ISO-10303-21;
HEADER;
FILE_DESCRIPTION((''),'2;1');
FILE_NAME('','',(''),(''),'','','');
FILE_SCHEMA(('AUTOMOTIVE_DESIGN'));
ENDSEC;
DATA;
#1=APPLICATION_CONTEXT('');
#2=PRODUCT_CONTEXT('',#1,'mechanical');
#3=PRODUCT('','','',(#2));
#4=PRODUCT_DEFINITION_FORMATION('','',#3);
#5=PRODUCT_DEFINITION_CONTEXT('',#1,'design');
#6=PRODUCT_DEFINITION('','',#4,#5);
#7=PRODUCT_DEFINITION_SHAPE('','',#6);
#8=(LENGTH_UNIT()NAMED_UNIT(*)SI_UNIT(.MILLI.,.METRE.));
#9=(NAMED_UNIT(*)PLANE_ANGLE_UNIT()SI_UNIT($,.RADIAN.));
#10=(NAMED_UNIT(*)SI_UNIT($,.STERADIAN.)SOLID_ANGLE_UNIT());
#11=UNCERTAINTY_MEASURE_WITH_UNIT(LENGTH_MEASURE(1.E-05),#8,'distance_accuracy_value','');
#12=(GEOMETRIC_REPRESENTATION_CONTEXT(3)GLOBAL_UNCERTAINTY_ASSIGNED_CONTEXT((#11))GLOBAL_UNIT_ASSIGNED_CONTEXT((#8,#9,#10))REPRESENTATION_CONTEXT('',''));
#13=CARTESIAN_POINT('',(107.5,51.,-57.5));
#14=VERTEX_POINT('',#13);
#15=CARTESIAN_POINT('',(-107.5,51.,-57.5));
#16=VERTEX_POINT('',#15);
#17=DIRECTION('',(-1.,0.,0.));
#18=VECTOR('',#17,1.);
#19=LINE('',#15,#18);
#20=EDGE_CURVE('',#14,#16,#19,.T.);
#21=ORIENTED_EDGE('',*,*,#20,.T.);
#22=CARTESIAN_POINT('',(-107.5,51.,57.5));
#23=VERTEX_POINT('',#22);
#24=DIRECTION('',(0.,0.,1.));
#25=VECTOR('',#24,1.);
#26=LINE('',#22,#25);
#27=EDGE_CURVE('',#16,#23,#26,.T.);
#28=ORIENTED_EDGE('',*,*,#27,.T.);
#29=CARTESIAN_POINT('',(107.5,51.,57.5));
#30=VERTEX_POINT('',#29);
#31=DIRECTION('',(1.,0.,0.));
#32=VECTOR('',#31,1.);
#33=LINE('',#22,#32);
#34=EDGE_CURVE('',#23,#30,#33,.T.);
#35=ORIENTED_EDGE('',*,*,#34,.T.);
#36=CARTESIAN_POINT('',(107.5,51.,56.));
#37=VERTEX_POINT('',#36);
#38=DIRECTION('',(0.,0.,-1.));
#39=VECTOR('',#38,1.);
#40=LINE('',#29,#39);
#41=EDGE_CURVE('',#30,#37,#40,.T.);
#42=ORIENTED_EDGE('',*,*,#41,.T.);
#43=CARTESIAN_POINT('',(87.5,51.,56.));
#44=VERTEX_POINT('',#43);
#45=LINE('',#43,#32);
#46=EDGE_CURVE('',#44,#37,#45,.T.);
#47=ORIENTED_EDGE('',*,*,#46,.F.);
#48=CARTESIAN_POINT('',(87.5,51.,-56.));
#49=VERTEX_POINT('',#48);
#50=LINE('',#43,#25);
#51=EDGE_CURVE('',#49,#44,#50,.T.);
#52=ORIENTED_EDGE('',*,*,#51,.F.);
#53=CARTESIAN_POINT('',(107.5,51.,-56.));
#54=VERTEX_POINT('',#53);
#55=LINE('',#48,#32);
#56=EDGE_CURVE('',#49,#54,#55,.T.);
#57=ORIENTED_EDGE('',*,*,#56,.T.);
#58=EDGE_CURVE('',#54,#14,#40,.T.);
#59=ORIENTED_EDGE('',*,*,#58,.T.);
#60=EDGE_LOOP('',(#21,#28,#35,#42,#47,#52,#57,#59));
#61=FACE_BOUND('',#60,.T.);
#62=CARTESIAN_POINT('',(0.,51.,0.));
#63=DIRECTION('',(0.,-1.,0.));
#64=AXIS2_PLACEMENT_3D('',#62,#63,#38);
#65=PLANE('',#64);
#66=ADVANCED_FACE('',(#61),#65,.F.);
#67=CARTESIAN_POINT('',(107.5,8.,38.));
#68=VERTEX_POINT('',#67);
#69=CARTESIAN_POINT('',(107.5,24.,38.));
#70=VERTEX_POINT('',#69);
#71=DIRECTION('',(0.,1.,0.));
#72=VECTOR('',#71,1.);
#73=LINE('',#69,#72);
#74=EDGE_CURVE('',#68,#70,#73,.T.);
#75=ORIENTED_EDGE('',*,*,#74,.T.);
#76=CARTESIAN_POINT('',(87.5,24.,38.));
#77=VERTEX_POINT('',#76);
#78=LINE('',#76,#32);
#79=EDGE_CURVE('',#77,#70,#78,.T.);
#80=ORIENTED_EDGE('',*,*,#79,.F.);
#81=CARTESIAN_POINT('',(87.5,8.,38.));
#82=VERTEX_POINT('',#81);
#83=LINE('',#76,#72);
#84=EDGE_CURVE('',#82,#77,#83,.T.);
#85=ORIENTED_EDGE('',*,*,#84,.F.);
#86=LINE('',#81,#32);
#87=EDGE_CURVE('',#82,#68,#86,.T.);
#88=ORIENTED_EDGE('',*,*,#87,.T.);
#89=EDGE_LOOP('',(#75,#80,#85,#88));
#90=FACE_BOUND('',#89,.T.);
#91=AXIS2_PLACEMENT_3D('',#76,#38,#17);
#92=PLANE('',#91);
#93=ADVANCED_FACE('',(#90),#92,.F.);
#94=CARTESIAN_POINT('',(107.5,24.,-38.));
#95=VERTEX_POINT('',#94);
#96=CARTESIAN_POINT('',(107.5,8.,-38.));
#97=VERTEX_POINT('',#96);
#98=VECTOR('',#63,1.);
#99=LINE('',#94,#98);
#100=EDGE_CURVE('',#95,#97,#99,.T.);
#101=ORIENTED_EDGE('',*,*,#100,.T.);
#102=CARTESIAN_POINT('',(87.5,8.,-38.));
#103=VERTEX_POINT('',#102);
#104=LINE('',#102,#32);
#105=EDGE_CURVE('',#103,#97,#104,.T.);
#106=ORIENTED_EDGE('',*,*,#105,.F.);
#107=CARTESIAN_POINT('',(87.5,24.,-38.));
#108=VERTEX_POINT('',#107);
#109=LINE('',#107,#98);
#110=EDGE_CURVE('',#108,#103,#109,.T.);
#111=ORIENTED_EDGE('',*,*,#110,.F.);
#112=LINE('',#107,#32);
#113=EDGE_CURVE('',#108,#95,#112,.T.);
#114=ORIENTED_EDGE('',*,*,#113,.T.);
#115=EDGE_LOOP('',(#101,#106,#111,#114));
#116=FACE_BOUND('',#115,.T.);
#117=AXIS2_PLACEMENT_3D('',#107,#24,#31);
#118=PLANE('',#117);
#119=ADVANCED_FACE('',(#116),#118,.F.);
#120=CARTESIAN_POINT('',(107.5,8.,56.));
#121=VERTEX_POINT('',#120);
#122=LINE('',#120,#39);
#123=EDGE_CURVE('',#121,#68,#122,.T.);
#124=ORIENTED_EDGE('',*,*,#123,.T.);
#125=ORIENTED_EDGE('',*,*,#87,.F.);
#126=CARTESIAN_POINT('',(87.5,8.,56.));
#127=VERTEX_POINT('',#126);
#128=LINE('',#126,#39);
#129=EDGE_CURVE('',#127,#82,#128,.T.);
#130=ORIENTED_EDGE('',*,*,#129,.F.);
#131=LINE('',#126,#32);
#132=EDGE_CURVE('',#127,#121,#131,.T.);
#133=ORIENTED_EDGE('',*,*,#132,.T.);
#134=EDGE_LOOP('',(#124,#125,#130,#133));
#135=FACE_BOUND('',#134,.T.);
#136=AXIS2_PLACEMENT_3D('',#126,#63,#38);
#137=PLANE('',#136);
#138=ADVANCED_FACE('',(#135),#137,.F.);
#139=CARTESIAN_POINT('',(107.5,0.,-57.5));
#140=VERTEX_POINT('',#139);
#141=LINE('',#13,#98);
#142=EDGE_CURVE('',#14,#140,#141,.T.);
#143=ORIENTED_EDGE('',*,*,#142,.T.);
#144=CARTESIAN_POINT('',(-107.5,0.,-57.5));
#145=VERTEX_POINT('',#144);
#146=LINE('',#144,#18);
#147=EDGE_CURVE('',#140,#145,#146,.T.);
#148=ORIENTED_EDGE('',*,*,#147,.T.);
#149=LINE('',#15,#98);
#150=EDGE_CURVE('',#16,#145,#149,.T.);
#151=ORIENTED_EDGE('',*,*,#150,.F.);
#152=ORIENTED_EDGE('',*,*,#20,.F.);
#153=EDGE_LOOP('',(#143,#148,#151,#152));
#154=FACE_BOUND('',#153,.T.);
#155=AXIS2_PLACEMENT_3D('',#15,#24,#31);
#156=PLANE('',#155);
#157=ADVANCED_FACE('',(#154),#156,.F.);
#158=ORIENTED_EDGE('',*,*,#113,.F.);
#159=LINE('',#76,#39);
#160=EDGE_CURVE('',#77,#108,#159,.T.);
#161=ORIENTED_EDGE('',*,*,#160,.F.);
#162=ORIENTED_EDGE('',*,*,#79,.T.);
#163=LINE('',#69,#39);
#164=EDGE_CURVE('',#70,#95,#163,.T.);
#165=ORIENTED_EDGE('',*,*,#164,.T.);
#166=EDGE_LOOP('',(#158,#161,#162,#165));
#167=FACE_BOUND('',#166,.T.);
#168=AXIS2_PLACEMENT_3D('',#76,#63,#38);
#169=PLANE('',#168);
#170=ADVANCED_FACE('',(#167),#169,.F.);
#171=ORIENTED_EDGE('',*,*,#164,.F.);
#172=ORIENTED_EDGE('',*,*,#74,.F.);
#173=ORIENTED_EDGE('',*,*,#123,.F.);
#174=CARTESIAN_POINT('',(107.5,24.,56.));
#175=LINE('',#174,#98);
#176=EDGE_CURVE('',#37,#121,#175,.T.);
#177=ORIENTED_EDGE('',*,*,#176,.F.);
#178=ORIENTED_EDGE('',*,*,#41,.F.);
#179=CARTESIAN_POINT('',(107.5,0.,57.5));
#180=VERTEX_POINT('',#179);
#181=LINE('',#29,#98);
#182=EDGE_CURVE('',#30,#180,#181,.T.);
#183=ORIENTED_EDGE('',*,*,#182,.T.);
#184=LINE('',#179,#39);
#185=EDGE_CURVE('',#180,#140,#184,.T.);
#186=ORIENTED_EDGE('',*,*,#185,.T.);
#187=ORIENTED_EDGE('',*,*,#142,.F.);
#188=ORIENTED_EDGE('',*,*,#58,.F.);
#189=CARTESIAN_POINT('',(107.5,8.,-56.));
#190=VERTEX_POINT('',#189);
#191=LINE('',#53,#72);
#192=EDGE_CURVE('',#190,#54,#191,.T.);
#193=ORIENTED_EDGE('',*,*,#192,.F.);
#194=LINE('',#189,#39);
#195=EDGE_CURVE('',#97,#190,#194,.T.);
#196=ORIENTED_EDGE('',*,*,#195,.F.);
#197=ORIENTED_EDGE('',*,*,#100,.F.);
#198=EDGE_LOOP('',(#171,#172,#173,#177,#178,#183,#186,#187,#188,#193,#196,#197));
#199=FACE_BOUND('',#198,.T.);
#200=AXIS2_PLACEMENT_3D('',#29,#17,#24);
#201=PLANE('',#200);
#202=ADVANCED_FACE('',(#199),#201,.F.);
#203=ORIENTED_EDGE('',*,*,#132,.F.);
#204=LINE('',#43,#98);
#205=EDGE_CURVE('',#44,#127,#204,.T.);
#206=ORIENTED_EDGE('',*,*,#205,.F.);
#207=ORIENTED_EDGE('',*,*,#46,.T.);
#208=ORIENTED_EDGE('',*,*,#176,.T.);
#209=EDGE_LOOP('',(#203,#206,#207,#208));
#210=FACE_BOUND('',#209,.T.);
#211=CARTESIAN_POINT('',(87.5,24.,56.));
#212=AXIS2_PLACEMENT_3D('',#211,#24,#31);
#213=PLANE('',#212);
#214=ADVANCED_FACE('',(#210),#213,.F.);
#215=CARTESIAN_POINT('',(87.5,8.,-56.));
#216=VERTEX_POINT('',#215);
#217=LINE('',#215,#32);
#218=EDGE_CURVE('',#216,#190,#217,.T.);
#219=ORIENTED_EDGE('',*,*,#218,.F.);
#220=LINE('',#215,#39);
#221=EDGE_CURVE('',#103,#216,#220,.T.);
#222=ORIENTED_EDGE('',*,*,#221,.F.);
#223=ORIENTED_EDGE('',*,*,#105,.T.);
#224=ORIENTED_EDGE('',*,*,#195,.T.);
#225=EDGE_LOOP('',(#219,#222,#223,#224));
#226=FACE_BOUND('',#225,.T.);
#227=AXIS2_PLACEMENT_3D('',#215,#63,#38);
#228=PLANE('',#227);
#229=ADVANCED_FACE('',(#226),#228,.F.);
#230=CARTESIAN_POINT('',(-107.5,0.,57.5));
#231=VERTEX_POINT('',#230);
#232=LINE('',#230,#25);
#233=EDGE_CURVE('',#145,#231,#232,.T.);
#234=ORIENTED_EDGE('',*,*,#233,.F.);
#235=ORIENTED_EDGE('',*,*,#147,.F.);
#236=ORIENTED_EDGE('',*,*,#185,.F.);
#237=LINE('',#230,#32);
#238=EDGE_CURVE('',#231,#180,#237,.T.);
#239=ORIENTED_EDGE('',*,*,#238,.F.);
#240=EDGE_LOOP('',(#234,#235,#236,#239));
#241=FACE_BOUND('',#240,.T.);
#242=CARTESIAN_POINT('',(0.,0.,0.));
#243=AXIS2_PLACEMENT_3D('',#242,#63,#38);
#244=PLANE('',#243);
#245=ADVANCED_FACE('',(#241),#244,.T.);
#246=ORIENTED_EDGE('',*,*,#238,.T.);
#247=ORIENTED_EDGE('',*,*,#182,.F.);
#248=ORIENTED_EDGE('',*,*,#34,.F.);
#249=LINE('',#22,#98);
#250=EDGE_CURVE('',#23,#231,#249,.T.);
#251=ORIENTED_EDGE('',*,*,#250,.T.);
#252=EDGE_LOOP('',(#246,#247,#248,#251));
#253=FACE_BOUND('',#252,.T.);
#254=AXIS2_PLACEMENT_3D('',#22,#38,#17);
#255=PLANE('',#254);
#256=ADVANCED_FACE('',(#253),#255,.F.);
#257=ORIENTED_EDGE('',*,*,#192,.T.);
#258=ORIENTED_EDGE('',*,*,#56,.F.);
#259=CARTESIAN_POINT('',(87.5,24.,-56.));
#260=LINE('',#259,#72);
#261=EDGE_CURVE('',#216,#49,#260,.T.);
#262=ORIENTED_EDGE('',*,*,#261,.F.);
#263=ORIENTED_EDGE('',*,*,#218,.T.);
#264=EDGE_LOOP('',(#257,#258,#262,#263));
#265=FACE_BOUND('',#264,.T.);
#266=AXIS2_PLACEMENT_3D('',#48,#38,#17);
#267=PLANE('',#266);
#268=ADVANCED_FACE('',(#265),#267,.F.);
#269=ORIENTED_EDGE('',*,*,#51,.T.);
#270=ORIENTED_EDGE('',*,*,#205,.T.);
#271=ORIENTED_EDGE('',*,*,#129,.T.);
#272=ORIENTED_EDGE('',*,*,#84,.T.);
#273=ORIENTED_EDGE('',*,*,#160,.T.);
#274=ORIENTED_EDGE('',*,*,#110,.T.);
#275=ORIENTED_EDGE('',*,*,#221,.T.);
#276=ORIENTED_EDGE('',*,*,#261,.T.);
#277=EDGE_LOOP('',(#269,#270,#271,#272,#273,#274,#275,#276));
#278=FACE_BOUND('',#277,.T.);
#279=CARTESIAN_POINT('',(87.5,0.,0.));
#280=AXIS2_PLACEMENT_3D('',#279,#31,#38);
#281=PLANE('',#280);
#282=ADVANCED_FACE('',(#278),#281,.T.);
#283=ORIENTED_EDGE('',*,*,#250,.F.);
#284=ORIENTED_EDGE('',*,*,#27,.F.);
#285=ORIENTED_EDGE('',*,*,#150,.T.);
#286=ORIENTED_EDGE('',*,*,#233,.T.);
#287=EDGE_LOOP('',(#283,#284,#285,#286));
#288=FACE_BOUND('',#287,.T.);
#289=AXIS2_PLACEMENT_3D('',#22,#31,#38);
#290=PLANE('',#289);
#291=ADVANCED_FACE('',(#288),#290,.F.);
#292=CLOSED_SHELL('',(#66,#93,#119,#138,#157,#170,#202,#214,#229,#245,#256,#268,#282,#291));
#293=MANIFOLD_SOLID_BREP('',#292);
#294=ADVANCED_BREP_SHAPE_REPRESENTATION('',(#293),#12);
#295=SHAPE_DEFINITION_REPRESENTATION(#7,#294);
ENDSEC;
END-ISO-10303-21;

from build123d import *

# Parameters (mm, degrees)
SKETCH_1_W          = 215
SKETCH_1_H          = 115
EXTRUDE_1_DEPTH     = 51
CUT_EXTRUDE_1_DEPTH = 20


with BuildPart() as part:
    # Эскиз1 → Бобышка-Вытянуть1 (new body)
    with BuildSketch(Plane(origin=(0, 0, 0), x_dir=(1, 0, 0), z_dir=(0, 1, 0))):
        Rectangle(SKETCH_1_W, SKETCH_1_H)
    extrude(amount=EXTRUDE_1_DEPTH)

    # Эскиз3 → Вырез-Вытянуть1 (cut)
    with BuildSketch(Plane(origin=(107.5, 0, 0), x_dir=(0, 0, -1), z_dir=(1, 0, 0))):
        Polygon((-56, 51), (56, 51), (56, 24), (56, 8), (38, 8), (38, 24), (-38, 24), (-38, 8), (-56, 8), (-56, 24), align=None)
    extrude(amount=-CUT_EXTRUDE_1_DEPTH, mode=Mode.SUBTRACT)


solid = part.part
